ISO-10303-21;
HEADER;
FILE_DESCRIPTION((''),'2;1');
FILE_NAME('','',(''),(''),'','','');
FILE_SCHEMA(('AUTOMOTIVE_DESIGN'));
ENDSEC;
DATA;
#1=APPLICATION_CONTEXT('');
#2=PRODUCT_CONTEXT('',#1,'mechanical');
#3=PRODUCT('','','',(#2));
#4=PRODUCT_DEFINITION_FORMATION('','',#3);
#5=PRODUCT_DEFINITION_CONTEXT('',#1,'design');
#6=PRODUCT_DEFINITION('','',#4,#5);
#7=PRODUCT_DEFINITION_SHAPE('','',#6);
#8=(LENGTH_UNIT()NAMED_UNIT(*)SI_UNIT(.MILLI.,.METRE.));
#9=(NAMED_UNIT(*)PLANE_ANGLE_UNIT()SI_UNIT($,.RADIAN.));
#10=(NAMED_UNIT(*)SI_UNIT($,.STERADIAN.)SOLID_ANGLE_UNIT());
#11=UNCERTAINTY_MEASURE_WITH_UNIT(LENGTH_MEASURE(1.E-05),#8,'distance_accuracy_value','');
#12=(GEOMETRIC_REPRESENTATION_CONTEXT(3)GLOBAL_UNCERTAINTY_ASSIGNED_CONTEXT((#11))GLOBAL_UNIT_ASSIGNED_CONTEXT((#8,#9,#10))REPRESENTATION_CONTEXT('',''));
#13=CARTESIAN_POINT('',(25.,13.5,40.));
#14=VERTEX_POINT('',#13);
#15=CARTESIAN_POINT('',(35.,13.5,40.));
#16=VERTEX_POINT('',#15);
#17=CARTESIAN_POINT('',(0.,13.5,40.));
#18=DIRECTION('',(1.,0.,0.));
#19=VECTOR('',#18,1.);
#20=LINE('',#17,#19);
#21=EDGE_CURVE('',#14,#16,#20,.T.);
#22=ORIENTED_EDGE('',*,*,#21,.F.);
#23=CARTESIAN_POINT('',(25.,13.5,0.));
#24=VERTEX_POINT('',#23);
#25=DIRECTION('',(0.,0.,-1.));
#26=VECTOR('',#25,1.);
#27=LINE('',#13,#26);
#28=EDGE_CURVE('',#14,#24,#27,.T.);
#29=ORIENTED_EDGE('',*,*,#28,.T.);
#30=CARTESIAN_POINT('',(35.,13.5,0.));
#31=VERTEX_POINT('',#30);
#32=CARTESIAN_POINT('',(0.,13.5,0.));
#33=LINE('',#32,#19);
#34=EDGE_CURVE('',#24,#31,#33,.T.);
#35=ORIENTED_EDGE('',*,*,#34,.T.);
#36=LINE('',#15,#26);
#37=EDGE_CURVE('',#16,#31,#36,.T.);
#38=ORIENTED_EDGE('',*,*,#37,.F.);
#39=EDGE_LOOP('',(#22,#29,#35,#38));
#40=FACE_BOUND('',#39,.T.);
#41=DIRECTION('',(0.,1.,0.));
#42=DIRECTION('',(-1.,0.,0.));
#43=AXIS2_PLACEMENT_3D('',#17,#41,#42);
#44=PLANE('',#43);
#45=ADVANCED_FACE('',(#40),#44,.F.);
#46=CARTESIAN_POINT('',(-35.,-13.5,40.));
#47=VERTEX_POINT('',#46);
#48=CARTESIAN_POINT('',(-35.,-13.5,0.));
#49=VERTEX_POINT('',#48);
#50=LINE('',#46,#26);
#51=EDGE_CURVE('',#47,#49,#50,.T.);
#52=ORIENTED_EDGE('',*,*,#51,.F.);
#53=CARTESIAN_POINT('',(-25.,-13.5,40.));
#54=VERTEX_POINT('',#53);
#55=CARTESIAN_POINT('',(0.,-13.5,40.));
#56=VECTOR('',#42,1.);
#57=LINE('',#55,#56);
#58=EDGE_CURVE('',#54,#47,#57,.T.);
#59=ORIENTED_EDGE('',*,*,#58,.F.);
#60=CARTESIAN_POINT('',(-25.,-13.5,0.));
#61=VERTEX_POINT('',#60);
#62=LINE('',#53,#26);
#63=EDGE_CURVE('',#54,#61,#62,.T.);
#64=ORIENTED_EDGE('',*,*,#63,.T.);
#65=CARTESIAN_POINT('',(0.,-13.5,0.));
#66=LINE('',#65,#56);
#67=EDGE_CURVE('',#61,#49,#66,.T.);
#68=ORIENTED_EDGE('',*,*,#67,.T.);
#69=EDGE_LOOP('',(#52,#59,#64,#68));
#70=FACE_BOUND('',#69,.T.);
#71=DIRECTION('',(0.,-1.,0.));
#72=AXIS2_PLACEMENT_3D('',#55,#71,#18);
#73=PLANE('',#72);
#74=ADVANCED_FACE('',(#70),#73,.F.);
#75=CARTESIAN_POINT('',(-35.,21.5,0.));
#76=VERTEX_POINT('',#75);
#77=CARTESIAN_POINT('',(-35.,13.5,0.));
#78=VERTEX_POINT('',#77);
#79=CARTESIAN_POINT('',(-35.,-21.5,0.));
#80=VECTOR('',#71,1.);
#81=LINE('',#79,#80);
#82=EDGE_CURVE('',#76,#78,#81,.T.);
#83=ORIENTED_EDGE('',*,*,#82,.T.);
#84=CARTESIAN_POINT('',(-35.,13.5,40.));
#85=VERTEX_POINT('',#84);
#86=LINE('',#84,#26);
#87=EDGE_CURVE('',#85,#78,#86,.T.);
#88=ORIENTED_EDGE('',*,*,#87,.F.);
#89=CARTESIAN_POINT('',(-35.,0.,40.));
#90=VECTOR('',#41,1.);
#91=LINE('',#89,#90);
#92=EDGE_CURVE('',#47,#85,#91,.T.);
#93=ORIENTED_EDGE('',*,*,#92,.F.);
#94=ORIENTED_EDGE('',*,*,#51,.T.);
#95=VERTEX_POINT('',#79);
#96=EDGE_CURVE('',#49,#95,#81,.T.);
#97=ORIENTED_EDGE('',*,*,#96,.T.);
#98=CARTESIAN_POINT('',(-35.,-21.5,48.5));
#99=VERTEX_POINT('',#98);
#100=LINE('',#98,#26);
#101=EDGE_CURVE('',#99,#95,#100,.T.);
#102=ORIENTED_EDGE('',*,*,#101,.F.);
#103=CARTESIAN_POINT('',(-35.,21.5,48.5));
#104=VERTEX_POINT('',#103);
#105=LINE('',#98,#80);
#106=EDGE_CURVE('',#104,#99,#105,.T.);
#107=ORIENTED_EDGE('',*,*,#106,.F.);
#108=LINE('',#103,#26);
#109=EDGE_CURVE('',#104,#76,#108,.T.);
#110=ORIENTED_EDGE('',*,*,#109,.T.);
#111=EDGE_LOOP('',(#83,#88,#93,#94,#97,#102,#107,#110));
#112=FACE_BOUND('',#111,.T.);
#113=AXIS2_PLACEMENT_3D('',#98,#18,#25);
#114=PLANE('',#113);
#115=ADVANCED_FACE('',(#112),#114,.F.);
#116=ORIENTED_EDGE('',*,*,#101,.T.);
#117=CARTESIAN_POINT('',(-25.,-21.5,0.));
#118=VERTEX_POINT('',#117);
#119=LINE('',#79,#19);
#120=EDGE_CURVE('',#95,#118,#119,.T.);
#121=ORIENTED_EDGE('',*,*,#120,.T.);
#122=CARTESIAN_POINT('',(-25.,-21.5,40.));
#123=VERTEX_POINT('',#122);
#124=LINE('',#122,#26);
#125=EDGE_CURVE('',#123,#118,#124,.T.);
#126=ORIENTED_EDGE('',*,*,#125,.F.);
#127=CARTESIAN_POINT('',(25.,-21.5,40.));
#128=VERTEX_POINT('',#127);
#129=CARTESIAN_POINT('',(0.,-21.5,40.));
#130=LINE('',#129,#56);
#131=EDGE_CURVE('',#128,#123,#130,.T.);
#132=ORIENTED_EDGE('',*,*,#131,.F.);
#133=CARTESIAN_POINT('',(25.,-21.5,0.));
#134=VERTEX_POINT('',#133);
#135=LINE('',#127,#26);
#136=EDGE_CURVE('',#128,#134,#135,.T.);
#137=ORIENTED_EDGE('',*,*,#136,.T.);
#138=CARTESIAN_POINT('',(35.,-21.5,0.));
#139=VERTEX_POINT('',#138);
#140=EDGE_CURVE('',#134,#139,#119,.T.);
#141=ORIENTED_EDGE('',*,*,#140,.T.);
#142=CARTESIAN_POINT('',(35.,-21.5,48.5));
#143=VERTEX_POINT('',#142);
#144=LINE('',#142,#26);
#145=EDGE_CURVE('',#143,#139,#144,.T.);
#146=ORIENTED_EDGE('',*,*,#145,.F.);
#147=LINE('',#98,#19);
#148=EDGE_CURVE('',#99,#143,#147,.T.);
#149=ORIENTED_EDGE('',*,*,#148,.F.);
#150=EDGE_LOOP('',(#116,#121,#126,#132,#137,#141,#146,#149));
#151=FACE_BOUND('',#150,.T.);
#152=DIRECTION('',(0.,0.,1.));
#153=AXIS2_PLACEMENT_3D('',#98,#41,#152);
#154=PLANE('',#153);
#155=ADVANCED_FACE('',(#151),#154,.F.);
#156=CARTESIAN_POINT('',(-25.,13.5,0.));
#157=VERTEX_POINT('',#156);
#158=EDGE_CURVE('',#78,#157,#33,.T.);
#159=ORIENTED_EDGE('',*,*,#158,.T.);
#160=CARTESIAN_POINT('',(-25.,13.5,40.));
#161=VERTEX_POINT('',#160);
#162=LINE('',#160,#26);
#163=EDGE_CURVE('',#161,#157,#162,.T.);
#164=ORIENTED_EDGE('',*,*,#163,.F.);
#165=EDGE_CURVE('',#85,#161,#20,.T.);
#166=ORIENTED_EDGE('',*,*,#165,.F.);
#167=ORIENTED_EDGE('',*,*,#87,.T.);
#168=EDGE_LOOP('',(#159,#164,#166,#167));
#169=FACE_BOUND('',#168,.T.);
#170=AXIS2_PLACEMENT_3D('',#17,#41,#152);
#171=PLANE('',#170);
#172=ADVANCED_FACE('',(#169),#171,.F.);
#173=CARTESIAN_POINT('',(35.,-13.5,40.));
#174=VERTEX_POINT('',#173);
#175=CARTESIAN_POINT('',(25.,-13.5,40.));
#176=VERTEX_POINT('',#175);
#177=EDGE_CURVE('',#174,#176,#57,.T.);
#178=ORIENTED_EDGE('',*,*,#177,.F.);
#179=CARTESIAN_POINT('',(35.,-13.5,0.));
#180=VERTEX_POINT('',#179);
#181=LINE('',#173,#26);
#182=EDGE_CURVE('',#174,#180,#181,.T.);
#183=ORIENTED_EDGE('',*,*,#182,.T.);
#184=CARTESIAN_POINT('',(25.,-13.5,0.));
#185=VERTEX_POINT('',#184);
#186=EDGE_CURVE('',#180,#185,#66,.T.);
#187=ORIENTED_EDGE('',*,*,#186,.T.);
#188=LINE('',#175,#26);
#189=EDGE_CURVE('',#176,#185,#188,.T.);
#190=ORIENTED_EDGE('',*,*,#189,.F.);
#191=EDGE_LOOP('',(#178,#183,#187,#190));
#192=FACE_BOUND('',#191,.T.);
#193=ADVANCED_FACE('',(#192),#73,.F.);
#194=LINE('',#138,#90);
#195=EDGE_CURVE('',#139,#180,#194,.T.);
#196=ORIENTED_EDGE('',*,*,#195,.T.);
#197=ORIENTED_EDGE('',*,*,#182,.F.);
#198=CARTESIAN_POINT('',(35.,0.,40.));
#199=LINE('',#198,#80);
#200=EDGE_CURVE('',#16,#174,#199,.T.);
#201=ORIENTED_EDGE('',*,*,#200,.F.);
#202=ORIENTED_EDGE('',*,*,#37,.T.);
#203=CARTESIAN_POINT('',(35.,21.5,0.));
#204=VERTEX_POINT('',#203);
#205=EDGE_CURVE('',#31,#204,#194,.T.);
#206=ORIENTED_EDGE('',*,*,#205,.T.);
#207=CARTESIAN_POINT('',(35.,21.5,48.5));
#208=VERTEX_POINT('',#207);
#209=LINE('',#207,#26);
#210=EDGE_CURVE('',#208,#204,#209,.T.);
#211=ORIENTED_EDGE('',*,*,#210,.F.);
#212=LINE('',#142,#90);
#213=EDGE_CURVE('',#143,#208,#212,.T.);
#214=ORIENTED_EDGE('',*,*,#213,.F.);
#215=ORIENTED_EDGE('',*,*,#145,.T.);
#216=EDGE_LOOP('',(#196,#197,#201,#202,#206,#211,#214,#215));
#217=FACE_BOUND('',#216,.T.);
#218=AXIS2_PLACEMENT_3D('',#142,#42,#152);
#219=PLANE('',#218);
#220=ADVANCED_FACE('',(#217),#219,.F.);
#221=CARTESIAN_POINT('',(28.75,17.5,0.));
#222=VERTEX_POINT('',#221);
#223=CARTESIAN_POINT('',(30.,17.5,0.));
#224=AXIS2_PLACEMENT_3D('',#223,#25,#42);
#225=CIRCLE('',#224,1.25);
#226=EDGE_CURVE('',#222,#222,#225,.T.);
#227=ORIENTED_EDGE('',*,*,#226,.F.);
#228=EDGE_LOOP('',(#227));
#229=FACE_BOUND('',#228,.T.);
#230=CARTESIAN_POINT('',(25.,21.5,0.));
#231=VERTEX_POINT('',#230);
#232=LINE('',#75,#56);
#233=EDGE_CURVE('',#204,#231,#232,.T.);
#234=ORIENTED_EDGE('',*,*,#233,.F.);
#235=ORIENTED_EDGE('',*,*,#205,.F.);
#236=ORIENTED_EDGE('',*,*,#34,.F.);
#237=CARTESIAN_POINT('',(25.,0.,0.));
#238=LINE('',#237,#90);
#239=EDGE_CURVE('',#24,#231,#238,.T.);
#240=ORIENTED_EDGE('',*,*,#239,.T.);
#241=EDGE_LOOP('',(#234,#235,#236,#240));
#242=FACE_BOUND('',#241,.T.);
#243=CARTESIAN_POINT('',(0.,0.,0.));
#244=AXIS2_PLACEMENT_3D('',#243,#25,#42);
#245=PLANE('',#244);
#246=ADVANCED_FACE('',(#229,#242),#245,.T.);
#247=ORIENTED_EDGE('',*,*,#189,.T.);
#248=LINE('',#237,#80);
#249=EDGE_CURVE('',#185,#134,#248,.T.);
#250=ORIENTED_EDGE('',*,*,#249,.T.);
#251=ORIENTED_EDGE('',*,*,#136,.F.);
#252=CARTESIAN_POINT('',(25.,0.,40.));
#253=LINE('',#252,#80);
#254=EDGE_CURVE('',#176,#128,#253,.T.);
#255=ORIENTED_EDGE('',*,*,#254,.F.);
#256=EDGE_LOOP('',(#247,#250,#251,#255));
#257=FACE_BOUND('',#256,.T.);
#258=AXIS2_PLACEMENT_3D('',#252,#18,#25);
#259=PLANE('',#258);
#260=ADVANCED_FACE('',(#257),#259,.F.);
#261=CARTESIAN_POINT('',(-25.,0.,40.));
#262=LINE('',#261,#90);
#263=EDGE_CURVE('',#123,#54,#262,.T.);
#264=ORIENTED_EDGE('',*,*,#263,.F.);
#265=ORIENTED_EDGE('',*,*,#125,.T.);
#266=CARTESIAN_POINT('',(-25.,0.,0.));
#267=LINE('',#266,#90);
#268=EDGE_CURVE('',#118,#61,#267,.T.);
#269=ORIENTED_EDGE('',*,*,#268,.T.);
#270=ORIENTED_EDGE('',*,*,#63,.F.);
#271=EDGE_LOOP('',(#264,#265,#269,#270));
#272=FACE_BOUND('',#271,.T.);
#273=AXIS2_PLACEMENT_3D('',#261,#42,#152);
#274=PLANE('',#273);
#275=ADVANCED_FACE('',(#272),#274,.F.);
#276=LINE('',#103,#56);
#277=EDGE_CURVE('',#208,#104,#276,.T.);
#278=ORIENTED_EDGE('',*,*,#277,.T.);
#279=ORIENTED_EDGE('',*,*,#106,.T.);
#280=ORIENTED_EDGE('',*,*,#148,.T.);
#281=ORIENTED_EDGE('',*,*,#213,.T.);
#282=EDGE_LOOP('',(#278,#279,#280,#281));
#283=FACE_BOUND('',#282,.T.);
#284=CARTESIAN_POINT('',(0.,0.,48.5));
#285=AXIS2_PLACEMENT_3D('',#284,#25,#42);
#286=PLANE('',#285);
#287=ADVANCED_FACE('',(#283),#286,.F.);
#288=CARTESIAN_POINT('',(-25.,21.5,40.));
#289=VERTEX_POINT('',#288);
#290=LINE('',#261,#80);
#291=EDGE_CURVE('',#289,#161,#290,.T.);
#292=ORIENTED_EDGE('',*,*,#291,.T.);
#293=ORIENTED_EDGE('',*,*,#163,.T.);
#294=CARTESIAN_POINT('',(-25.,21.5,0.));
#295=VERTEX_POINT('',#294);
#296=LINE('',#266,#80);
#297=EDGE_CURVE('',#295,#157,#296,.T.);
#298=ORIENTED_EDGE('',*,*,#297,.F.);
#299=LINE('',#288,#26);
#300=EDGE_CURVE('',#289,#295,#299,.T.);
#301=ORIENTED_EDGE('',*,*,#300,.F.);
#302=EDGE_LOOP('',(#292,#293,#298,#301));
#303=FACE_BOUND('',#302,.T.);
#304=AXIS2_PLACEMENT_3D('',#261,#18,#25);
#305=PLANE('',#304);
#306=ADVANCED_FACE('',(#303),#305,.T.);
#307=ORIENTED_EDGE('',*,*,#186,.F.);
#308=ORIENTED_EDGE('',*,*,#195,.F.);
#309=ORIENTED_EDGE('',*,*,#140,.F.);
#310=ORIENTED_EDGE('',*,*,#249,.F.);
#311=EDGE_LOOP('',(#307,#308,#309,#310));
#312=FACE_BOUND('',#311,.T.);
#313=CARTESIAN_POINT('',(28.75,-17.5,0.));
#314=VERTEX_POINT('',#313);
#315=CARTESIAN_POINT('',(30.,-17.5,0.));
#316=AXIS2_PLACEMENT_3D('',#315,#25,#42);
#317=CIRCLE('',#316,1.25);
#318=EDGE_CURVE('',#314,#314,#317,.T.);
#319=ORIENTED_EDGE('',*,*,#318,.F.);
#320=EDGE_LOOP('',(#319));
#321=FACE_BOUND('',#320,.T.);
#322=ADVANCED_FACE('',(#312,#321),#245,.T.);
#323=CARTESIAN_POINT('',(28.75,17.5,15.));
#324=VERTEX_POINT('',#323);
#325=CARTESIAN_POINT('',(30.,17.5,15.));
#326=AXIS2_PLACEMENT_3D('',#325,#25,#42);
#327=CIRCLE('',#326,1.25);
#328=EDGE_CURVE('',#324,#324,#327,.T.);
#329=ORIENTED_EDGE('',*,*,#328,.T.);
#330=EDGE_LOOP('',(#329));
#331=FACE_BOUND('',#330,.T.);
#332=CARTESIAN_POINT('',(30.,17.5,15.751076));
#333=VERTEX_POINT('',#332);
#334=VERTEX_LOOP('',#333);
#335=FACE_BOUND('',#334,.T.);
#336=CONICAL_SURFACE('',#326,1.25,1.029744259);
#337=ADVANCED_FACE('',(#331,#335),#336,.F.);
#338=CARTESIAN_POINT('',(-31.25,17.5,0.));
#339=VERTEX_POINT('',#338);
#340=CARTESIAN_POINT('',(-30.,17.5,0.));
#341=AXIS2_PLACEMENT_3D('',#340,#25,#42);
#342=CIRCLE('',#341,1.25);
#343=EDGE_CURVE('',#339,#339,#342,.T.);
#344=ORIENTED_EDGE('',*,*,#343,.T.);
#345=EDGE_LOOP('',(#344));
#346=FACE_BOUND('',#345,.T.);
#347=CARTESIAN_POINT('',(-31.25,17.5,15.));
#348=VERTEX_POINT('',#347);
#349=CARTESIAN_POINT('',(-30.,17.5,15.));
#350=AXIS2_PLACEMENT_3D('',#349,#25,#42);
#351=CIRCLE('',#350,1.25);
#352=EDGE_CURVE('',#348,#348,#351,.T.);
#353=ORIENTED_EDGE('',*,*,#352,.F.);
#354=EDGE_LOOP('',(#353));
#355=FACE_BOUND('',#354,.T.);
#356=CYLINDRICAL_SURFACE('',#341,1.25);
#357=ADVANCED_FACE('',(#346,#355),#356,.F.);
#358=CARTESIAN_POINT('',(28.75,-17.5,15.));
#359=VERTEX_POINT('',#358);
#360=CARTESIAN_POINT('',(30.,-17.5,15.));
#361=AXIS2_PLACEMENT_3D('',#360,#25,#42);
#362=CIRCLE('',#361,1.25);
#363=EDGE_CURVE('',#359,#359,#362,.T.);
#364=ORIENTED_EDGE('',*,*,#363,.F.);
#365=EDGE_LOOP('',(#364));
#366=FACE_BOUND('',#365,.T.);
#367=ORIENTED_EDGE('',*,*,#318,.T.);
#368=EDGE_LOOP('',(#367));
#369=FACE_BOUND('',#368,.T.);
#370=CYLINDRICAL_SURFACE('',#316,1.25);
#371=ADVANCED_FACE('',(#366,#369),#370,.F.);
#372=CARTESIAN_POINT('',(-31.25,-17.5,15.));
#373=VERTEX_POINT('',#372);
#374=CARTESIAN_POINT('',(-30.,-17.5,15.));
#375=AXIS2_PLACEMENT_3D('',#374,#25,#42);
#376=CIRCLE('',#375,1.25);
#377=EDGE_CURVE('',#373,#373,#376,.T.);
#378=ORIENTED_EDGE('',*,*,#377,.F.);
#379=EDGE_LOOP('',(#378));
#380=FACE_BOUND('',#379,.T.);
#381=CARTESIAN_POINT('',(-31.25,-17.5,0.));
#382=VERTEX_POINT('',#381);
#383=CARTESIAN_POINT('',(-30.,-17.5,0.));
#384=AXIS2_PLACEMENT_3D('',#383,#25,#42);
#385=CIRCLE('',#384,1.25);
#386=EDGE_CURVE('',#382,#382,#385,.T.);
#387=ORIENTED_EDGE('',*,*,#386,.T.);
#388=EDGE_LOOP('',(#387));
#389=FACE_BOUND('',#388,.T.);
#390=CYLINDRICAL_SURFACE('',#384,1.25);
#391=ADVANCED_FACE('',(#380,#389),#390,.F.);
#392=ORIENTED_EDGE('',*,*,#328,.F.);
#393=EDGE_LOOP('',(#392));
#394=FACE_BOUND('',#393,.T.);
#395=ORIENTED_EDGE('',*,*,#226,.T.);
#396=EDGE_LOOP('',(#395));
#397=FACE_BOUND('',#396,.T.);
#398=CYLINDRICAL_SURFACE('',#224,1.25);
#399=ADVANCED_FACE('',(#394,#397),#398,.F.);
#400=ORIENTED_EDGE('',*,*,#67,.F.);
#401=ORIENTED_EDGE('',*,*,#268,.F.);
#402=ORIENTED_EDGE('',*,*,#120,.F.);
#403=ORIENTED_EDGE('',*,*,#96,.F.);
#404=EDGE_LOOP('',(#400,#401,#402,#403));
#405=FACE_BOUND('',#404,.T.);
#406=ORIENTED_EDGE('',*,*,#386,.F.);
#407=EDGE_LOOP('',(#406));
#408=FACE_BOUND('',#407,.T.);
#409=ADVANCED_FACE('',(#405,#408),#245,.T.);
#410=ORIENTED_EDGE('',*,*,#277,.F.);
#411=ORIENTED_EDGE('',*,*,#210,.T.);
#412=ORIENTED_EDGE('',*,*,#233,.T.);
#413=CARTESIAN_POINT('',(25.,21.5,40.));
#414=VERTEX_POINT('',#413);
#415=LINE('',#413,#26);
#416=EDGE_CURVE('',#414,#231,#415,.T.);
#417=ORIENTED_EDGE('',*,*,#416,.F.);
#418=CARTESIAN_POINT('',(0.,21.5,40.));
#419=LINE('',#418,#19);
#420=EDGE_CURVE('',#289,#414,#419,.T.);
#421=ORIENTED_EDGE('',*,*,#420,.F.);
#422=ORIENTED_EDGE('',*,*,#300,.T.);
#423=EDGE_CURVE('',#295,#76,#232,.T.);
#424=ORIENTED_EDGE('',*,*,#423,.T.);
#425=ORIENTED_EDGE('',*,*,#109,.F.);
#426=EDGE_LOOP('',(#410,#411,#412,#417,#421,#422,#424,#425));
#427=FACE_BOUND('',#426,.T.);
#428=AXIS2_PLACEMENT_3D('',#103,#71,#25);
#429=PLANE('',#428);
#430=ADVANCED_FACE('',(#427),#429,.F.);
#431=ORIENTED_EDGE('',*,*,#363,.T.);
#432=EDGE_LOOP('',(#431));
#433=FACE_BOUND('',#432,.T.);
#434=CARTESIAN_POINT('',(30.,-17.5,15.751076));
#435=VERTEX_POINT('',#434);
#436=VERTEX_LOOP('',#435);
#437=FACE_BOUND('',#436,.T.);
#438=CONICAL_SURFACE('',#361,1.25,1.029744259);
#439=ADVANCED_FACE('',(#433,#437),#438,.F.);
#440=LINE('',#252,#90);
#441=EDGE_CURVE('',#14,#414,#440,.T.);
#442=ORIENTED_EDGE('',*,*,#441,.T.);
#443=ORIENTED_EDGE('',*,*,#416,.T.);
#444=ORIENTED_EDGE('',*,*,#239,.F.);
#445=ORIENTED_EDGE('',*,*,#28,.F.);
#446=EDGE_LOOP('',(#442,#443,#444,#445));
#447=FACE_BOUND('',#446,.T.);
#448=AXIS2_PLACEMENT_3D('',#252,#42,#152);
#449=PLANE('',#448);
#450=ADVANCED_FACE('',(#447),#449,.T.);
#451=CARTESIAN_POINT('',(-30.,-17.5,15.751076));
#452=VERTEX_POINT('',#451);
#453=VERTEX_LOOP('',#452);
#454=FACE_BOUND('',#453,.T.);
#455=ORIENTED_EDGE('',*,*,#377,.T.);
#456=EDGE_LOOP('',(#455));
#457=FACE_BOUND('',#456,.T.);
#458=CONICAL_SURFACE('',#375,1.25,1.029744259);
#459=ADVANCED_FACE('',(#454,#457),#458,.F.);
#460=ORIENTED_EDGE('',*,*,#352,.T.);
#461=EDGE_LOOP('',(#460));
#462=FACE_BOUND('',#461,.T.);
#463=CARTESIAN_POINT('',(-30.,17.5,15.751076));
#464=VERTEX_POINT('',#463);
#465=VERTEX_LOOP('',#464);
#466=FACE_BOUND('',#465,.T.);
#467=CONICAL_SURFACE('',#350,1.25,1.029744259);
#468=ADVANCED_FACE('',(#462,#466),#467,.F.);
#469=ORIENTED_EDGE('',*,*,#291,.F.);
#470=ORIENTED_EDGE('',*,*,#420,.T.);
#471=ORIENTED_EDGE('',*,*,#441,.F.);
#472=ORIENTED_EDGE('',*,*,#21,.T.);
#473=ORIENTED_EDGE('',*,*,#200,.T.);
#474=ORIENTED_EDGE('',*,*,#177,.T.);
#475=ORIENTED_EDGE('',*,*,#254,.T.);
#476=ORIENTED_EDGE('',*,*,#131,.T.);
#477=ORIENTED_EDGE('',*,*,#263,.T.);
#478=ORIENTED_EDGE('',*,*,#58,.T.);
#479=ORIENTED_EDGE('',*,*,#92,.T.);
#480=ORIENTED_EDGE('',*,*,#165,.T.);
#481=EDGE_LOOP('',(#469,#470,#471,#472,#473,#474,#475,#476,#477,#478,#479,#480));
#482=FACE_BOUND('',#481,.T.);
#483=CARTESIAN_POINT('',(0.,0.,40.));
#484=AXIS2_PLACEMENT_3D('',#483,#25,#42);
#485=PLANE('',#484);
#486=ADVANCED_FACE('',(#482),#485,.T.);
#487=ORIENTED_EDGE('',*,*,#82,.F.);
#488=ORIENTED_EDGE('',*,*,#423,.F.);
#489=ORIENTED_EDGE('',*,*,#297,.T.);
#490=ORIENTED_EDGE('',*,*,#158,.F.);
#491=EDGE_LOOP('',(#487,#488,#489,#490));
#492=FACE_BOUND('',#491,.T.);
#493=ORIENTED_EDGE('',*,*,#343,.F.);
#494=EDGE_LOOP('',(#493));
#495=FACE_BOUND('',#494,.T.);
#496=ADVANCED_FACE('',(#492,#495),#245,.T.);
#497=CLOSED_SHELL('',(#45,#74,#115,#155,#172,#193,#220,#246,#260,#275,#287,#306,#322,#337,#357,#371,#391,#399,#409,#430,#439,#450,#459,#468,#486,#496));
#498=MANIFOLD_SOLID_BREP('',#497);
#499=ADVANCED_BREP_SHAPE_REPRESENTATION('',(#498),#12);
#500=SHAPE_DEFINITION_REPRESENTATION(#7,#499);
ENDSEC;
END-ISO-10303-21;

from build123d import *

# Parameters (mm, degrees)
SKETCH_1_W             = 70
SKETCH_1_H             = 43
EXTRUDE_1_DEPTH        = 48.5
SKETCH_2_W             = 50
SKETCH_2_H             = 27
SKETCH_2_H_2           = 8
SKETCH_2_W_2           = 10
CUT_EXTRUDE_1_DEPTH    = 40
HOLE_WIZARD_M3_1_D     = 2.5
HOLE_WIZARD_M3_1_DEPTH = 15
HOLE_WIZARD_M3_1_TIP   = 0.751075774


with BuildPart() as part:
    # 草图1 → 凸台-拉伸1 (new body)
    with BuildSketch(Plane.XY):
        Rectangle(SKETCH_1_W, SKETCH_1_H)
    extrude(amount=EXTRUDE_1_DEPTH)

    # 草图2 → 切除-拉伸1 (cut)
    with BuildSketch(Plane(origin=(0, 0, 0), x_dir=(-1, 0, 0), z_dir=(0, 0, -1))):
        Rectangle(SKETCH_2_W, SKETCH_2_H)
        with Locations((0, -17.5)):
            Rectangle(SKETCH_2_W, SKETCH_2_H_2)
        with Locations((-30, 0)):
            Rectangle(SKETCH_2_W_2, SKETCH_2_H)
        with Locations((0, 17.5)):
            Rectangle(SKETCH_2_W, SKETCH_2_H_2)
        with Locations((30, 0)):
            Rectangle(SKETCH_2_W_2, SKETCH_2_H)
    extrude(amount=-CUT_EXTRUDE_1_DEPTH, mode=Mode.SUBTRACT)

    # M3 螺纹孔1
    with Locations(Plane(origin=(0, 0, 0), x_dir=(-1, 0, 0), z_dir=(0, 0, -1))):
        with Locations((-30, 17.5), (30, 17.5), (30, -17.5), (-30, -17.5)):
            Hole(HOLE_WIZARD_M3_1_D / 2, depth=HOLE_WIZARD_M3_1_DEPTH)
            with Locations((0, 0, -(HOLE_WIZARD_M3_1_DEPTH + HOLE_WIZARD_M3_1_TIP / 2))):  # 118° drill point
                Cone(0, HOLE_WIZARD_M3_1_D / 2, HOLE_WIZARD_M3_1_TIP, mode=Mode.SUBTRACT)


solid = part.part
